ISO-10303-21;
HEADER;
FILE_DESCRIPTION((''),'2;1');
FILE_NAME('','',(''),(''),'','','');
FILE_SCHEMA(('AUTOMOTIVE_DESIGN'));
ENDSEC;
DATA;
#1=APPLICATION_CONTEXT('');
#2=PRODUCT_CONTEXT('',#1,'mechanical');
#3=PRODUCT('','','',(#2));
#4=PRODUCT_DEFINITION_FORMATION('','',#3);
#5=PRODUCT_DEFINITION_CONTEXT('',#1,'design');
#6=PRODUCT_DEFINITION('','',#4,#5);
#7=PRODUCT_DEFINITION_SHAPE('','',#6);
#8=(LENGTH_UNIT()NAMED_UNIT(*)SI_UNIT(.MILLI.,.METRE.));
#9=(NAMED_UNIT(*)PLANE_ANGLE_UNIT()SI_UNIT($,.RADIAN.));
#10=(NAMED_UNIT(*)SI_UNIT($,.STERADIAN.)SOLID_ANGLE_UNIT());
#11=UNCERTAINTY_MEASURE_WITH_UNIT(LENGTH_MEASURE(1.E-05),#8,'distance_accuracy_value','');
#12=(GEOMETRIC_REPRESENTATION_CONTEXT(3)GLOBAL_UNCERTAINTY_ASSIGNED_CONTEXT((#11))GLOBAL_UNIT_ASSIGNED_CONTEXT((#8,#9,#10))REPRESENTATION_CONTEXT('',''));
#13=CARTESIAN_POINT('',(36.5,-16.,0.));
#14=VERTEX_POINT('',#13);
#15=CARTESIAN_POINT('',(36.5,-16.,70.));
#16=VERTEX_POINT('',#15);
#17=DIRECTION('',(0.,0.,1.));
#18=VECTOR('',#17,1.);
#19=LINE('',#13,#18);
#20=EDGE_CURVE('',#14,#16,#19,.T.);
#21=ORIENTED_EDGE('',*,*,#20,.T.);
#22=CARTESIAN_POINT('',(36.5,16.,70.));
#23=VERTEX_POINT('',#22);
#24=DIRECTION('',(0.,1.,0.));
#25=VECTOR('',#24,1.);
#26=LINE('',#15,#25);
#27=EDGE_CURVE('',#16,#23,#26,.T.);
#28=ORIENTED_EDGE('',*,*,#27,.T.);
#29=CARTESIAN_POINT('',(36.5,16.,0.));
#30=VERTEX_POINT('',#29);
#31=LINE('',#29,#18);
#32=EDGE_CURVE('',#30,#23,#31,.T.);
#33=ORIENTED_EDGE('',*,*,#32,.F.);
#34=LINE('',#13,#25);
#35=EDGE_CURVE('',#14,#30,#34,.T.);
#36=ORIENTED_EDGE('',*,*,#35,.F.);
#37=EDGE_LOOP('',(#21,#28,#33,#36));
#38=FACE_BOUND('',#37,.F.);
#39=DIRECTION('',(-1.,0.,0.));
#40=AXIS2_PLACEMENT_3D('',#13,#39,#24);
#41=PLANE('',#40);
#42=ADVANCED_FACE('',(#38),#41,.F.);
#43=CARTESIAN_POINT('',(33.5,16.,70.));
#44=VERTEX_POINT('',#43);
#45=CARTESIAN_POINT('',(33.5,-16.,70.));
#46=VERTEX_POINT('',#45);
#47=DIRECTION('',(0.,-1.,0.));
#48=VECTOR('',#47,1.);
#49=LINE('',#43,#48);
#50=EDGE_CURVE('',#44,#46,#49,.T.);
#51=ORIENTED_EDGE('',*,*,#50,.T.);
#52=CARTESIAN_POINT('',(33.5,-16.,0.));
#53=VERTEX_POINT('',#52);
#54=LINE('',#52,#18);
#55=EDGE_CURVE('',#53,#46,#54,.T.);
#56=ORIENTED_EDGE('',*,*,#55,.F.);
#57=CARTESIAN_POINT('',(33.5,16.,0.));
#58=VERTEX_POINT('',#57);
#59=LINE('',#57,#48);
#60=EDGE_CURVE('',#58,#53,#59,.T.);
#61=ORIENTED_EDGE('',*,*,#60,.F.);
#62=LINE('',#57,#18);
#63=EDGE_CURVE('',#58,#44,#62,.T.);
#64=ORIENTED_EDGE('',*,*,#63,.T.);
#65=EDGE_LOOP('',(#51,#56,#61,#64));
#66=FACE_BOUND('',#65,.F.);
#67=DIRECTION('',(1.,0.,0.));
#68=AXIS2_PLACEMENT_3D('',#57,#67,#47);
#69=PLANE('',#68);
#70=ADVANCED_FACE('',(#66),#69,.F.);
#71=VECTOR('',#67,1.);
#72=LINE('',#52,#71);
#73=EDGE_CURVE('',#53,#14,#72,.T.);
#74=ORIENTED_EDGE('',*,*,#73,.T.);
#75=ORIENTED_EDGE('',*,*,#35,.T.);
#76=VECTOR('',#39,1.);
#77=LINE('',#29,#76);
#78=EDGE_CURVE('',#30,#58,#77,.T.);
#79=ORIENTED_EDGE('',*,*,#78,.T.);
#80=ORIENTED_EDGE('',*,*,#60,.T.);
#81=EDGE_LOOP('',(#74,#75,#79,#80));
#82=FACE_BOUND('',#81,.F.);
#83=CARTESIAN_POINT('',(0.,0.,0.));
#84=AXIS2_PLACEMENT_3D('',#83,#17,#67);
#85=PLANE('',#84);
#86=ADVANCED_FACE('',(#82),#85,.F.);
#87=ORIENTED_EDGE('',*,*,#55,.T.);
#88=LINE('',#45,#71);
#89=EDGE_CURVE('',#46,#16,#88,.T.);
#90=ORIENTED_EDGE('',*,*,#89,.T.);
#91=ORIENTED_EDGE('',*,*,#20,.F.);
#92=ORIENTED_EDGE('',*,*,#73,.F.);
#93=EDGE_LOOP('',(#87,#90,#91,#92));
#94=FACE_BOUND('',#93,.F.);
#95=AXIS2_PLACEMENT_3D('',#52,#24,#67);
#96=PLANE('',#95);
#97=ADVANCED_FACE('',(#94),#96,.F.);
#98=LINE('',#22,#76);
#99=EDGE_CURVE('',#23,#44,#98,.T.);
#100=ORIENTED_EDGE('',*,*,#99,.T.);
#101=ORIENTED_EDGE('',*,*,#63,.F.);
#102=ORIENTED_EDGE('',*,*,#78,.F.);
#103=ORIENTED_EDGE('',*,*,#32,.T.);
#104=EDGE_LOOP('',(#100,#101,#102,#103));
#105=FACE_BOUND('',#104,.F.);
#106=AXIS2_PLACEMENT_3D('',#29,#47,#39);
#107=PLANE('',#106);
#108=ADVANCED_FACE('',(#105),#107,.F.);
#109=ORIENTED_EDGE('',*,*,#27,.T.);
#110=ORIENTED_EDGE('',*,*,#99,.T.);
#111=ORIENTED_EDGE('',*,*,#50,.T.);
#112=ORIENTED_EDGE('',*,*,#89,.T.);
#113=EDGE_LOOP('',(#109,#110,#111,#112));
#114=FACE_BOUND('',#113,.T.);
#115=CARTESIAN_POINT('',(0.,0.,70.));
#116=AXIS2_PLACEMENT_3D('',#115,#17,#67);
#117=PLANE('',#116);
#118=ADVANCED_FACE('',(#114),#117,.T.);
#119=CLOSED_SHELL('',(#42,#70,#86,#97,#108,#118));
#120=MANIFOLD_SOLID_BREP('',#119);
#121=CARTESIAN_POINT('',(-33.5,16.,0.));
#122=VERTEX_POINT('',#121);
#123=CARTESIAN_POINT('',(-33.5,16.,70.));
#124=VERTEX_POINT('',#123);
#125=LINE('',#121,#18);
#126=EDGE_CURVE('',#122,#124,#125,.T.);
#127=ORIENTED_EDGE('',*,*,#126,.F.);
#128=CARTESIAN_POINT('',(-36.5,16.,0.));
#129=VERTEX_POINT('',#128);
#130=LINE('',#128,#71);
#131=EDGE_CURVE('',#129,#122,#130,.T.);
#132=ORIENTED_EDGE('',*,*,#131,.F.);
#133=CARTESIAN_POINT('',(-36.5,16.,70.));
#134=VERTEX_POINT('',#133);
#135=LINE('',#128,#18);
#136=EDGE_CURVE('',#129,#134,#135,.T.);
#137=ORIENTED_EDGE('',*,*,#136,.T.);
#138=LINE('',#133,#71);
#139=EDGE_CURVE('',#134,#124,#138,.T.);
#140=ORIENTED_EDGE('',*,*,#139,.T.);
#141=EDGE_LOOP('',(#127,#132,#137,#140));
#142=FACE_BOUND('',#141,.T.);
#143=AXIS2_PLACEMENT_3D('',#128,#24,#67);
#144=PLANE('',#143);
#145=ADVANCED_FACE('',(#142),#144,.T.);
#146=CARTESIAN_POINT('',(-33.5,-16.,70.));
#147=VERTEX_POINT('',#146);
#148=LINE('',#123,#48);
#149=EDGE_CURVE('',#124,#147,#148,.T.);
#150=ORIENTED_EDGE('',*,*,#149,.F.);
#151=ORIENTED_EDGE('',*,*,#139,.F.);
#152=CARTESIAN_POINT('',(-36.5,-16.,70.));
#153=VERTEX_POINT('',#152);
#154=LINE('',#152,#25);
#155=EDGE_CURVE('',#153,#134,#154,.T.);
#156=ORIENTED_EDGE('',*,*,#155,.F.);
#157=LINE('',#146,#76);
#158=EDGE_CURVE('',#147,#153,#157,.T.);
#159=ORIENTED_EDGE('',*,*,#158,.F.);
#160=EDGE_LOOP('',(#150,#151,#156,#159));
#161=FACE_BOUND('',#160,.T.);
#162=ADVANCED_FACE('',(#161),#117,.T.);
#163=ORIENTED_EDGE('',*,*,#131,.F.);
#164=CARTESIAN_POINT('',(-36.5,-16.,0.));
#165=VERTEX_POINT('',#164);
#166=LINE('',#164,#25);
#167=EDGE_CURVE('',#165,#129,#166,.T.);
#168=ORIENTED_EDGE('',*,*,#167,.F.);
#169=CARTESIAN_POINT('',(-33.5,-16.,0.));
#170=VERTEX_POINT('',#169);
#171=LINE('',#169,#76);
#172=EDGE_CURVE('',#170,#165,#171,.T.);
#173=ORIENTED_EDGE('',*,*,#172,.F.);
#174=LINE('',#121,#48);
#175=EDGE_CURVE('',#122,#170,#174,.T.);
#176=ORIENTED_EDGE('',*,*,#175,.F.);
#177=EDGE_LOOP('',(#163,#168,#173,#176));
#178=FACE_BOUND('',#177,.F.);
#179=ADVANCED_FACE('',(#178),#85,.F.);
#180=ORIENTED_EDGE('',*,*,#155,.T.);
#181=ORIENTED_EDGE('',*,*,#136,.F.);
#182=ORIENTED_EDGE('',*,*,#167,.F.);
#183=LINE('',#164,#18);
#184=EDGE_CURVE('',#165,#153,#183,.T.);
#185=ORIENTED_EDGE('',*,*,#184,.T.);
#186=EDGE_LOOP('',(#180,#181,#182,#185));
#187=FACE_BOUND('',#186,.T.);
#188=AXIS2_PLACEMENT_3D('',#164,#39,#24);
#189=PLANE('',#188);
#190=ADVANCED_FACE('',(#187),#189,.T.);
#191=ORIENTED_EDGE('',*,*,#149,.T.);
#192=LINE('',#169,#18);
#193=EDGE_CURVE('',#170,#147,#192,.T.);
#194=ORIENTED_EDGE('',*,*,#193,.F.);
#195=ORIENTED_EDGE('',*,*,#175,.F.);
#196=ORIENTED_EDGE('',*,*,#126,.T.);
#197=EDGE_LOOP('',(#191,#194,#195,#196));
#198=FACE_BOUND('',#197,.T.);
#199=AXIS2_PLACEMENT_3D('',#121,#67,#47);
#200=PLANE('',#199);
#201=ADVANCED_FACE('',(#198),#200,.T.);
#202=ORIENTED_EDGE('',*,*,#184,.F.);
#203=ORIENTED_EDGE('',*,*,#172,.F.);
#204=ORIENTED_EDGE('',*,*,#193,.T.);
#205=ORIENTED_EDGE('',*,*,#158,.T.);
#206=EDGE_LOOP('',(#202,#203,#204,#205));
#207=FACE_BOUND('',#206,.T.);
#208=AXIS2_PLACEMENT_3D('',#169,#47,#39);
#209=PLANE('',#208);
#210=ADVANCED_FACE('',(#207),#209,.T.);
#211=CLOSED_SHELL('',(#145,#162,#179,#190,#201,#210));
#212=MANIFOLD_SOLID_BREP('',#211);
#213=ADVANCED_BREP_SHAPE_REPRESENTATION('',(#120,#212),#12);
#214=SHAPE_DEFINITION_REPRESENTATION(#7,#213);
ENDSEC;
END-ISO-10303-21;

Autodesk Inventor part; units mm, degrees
ref_plane "YZ Plane" through (0, 0, 0) normal (1, 0, 0) x (0, 1, 0)
ref_plane "XZ Plane" through (0, 0, 0) normal (0, 1, 0) x (-1, 0, 0)
ref_plane "XY Plane" through (0, 0, 0) normal (0, 0, 1) x (1, 0, 0)
sketch "Sketch1" plane through (0, 0, 0) normal (0, 0, 1) x (1, 0, 0)
  line L0 (-36.5, 16) -> (36.5, 16) construction
  line L1 (-36.5, 16) -> (-33.5, 16)
  line L2 (-33.5, 16) -> (-33.5, -16)
  line L3 (-33.5, -16) -> (-36.5, -16)
  line L4 (-36.5, -16) -> (-36.5, 16)
  line L5 (0, 16) -> (0, -16) construction
  line L6 (36.5, 16) -> (33.5, 16)
  line L7 (33.5, 16) -> (33.5, -16)
  line L8 (33.5, -16) -> (36.5, -16)
  line L9 (36.5, -16) -> (36.5, 16)
  point P0 (0, 0)
  dimension "d0" = 73
  dimension "d1" = 3
  dimension "d2" = 32
  dimension "d3" = 16
extrude "Extrusion1" add sketch "Sketch1" along normal blind 70
equation "\"d0\" = Esla_Bas_Largo"
equation "\"d1\" = Esla_Bas_Espesor"
equation "\"d2\" = Esla_Bas_Ancho"
equation "\"Esla_Bas_Largo\" = 73"
equation "\"Esla_Bas_Espesor\" = 3"
equation "\"Esla_Bas_Ancho\" = 32"
properties part number "Eslabón2_Largo" material "Stainless Steel"
